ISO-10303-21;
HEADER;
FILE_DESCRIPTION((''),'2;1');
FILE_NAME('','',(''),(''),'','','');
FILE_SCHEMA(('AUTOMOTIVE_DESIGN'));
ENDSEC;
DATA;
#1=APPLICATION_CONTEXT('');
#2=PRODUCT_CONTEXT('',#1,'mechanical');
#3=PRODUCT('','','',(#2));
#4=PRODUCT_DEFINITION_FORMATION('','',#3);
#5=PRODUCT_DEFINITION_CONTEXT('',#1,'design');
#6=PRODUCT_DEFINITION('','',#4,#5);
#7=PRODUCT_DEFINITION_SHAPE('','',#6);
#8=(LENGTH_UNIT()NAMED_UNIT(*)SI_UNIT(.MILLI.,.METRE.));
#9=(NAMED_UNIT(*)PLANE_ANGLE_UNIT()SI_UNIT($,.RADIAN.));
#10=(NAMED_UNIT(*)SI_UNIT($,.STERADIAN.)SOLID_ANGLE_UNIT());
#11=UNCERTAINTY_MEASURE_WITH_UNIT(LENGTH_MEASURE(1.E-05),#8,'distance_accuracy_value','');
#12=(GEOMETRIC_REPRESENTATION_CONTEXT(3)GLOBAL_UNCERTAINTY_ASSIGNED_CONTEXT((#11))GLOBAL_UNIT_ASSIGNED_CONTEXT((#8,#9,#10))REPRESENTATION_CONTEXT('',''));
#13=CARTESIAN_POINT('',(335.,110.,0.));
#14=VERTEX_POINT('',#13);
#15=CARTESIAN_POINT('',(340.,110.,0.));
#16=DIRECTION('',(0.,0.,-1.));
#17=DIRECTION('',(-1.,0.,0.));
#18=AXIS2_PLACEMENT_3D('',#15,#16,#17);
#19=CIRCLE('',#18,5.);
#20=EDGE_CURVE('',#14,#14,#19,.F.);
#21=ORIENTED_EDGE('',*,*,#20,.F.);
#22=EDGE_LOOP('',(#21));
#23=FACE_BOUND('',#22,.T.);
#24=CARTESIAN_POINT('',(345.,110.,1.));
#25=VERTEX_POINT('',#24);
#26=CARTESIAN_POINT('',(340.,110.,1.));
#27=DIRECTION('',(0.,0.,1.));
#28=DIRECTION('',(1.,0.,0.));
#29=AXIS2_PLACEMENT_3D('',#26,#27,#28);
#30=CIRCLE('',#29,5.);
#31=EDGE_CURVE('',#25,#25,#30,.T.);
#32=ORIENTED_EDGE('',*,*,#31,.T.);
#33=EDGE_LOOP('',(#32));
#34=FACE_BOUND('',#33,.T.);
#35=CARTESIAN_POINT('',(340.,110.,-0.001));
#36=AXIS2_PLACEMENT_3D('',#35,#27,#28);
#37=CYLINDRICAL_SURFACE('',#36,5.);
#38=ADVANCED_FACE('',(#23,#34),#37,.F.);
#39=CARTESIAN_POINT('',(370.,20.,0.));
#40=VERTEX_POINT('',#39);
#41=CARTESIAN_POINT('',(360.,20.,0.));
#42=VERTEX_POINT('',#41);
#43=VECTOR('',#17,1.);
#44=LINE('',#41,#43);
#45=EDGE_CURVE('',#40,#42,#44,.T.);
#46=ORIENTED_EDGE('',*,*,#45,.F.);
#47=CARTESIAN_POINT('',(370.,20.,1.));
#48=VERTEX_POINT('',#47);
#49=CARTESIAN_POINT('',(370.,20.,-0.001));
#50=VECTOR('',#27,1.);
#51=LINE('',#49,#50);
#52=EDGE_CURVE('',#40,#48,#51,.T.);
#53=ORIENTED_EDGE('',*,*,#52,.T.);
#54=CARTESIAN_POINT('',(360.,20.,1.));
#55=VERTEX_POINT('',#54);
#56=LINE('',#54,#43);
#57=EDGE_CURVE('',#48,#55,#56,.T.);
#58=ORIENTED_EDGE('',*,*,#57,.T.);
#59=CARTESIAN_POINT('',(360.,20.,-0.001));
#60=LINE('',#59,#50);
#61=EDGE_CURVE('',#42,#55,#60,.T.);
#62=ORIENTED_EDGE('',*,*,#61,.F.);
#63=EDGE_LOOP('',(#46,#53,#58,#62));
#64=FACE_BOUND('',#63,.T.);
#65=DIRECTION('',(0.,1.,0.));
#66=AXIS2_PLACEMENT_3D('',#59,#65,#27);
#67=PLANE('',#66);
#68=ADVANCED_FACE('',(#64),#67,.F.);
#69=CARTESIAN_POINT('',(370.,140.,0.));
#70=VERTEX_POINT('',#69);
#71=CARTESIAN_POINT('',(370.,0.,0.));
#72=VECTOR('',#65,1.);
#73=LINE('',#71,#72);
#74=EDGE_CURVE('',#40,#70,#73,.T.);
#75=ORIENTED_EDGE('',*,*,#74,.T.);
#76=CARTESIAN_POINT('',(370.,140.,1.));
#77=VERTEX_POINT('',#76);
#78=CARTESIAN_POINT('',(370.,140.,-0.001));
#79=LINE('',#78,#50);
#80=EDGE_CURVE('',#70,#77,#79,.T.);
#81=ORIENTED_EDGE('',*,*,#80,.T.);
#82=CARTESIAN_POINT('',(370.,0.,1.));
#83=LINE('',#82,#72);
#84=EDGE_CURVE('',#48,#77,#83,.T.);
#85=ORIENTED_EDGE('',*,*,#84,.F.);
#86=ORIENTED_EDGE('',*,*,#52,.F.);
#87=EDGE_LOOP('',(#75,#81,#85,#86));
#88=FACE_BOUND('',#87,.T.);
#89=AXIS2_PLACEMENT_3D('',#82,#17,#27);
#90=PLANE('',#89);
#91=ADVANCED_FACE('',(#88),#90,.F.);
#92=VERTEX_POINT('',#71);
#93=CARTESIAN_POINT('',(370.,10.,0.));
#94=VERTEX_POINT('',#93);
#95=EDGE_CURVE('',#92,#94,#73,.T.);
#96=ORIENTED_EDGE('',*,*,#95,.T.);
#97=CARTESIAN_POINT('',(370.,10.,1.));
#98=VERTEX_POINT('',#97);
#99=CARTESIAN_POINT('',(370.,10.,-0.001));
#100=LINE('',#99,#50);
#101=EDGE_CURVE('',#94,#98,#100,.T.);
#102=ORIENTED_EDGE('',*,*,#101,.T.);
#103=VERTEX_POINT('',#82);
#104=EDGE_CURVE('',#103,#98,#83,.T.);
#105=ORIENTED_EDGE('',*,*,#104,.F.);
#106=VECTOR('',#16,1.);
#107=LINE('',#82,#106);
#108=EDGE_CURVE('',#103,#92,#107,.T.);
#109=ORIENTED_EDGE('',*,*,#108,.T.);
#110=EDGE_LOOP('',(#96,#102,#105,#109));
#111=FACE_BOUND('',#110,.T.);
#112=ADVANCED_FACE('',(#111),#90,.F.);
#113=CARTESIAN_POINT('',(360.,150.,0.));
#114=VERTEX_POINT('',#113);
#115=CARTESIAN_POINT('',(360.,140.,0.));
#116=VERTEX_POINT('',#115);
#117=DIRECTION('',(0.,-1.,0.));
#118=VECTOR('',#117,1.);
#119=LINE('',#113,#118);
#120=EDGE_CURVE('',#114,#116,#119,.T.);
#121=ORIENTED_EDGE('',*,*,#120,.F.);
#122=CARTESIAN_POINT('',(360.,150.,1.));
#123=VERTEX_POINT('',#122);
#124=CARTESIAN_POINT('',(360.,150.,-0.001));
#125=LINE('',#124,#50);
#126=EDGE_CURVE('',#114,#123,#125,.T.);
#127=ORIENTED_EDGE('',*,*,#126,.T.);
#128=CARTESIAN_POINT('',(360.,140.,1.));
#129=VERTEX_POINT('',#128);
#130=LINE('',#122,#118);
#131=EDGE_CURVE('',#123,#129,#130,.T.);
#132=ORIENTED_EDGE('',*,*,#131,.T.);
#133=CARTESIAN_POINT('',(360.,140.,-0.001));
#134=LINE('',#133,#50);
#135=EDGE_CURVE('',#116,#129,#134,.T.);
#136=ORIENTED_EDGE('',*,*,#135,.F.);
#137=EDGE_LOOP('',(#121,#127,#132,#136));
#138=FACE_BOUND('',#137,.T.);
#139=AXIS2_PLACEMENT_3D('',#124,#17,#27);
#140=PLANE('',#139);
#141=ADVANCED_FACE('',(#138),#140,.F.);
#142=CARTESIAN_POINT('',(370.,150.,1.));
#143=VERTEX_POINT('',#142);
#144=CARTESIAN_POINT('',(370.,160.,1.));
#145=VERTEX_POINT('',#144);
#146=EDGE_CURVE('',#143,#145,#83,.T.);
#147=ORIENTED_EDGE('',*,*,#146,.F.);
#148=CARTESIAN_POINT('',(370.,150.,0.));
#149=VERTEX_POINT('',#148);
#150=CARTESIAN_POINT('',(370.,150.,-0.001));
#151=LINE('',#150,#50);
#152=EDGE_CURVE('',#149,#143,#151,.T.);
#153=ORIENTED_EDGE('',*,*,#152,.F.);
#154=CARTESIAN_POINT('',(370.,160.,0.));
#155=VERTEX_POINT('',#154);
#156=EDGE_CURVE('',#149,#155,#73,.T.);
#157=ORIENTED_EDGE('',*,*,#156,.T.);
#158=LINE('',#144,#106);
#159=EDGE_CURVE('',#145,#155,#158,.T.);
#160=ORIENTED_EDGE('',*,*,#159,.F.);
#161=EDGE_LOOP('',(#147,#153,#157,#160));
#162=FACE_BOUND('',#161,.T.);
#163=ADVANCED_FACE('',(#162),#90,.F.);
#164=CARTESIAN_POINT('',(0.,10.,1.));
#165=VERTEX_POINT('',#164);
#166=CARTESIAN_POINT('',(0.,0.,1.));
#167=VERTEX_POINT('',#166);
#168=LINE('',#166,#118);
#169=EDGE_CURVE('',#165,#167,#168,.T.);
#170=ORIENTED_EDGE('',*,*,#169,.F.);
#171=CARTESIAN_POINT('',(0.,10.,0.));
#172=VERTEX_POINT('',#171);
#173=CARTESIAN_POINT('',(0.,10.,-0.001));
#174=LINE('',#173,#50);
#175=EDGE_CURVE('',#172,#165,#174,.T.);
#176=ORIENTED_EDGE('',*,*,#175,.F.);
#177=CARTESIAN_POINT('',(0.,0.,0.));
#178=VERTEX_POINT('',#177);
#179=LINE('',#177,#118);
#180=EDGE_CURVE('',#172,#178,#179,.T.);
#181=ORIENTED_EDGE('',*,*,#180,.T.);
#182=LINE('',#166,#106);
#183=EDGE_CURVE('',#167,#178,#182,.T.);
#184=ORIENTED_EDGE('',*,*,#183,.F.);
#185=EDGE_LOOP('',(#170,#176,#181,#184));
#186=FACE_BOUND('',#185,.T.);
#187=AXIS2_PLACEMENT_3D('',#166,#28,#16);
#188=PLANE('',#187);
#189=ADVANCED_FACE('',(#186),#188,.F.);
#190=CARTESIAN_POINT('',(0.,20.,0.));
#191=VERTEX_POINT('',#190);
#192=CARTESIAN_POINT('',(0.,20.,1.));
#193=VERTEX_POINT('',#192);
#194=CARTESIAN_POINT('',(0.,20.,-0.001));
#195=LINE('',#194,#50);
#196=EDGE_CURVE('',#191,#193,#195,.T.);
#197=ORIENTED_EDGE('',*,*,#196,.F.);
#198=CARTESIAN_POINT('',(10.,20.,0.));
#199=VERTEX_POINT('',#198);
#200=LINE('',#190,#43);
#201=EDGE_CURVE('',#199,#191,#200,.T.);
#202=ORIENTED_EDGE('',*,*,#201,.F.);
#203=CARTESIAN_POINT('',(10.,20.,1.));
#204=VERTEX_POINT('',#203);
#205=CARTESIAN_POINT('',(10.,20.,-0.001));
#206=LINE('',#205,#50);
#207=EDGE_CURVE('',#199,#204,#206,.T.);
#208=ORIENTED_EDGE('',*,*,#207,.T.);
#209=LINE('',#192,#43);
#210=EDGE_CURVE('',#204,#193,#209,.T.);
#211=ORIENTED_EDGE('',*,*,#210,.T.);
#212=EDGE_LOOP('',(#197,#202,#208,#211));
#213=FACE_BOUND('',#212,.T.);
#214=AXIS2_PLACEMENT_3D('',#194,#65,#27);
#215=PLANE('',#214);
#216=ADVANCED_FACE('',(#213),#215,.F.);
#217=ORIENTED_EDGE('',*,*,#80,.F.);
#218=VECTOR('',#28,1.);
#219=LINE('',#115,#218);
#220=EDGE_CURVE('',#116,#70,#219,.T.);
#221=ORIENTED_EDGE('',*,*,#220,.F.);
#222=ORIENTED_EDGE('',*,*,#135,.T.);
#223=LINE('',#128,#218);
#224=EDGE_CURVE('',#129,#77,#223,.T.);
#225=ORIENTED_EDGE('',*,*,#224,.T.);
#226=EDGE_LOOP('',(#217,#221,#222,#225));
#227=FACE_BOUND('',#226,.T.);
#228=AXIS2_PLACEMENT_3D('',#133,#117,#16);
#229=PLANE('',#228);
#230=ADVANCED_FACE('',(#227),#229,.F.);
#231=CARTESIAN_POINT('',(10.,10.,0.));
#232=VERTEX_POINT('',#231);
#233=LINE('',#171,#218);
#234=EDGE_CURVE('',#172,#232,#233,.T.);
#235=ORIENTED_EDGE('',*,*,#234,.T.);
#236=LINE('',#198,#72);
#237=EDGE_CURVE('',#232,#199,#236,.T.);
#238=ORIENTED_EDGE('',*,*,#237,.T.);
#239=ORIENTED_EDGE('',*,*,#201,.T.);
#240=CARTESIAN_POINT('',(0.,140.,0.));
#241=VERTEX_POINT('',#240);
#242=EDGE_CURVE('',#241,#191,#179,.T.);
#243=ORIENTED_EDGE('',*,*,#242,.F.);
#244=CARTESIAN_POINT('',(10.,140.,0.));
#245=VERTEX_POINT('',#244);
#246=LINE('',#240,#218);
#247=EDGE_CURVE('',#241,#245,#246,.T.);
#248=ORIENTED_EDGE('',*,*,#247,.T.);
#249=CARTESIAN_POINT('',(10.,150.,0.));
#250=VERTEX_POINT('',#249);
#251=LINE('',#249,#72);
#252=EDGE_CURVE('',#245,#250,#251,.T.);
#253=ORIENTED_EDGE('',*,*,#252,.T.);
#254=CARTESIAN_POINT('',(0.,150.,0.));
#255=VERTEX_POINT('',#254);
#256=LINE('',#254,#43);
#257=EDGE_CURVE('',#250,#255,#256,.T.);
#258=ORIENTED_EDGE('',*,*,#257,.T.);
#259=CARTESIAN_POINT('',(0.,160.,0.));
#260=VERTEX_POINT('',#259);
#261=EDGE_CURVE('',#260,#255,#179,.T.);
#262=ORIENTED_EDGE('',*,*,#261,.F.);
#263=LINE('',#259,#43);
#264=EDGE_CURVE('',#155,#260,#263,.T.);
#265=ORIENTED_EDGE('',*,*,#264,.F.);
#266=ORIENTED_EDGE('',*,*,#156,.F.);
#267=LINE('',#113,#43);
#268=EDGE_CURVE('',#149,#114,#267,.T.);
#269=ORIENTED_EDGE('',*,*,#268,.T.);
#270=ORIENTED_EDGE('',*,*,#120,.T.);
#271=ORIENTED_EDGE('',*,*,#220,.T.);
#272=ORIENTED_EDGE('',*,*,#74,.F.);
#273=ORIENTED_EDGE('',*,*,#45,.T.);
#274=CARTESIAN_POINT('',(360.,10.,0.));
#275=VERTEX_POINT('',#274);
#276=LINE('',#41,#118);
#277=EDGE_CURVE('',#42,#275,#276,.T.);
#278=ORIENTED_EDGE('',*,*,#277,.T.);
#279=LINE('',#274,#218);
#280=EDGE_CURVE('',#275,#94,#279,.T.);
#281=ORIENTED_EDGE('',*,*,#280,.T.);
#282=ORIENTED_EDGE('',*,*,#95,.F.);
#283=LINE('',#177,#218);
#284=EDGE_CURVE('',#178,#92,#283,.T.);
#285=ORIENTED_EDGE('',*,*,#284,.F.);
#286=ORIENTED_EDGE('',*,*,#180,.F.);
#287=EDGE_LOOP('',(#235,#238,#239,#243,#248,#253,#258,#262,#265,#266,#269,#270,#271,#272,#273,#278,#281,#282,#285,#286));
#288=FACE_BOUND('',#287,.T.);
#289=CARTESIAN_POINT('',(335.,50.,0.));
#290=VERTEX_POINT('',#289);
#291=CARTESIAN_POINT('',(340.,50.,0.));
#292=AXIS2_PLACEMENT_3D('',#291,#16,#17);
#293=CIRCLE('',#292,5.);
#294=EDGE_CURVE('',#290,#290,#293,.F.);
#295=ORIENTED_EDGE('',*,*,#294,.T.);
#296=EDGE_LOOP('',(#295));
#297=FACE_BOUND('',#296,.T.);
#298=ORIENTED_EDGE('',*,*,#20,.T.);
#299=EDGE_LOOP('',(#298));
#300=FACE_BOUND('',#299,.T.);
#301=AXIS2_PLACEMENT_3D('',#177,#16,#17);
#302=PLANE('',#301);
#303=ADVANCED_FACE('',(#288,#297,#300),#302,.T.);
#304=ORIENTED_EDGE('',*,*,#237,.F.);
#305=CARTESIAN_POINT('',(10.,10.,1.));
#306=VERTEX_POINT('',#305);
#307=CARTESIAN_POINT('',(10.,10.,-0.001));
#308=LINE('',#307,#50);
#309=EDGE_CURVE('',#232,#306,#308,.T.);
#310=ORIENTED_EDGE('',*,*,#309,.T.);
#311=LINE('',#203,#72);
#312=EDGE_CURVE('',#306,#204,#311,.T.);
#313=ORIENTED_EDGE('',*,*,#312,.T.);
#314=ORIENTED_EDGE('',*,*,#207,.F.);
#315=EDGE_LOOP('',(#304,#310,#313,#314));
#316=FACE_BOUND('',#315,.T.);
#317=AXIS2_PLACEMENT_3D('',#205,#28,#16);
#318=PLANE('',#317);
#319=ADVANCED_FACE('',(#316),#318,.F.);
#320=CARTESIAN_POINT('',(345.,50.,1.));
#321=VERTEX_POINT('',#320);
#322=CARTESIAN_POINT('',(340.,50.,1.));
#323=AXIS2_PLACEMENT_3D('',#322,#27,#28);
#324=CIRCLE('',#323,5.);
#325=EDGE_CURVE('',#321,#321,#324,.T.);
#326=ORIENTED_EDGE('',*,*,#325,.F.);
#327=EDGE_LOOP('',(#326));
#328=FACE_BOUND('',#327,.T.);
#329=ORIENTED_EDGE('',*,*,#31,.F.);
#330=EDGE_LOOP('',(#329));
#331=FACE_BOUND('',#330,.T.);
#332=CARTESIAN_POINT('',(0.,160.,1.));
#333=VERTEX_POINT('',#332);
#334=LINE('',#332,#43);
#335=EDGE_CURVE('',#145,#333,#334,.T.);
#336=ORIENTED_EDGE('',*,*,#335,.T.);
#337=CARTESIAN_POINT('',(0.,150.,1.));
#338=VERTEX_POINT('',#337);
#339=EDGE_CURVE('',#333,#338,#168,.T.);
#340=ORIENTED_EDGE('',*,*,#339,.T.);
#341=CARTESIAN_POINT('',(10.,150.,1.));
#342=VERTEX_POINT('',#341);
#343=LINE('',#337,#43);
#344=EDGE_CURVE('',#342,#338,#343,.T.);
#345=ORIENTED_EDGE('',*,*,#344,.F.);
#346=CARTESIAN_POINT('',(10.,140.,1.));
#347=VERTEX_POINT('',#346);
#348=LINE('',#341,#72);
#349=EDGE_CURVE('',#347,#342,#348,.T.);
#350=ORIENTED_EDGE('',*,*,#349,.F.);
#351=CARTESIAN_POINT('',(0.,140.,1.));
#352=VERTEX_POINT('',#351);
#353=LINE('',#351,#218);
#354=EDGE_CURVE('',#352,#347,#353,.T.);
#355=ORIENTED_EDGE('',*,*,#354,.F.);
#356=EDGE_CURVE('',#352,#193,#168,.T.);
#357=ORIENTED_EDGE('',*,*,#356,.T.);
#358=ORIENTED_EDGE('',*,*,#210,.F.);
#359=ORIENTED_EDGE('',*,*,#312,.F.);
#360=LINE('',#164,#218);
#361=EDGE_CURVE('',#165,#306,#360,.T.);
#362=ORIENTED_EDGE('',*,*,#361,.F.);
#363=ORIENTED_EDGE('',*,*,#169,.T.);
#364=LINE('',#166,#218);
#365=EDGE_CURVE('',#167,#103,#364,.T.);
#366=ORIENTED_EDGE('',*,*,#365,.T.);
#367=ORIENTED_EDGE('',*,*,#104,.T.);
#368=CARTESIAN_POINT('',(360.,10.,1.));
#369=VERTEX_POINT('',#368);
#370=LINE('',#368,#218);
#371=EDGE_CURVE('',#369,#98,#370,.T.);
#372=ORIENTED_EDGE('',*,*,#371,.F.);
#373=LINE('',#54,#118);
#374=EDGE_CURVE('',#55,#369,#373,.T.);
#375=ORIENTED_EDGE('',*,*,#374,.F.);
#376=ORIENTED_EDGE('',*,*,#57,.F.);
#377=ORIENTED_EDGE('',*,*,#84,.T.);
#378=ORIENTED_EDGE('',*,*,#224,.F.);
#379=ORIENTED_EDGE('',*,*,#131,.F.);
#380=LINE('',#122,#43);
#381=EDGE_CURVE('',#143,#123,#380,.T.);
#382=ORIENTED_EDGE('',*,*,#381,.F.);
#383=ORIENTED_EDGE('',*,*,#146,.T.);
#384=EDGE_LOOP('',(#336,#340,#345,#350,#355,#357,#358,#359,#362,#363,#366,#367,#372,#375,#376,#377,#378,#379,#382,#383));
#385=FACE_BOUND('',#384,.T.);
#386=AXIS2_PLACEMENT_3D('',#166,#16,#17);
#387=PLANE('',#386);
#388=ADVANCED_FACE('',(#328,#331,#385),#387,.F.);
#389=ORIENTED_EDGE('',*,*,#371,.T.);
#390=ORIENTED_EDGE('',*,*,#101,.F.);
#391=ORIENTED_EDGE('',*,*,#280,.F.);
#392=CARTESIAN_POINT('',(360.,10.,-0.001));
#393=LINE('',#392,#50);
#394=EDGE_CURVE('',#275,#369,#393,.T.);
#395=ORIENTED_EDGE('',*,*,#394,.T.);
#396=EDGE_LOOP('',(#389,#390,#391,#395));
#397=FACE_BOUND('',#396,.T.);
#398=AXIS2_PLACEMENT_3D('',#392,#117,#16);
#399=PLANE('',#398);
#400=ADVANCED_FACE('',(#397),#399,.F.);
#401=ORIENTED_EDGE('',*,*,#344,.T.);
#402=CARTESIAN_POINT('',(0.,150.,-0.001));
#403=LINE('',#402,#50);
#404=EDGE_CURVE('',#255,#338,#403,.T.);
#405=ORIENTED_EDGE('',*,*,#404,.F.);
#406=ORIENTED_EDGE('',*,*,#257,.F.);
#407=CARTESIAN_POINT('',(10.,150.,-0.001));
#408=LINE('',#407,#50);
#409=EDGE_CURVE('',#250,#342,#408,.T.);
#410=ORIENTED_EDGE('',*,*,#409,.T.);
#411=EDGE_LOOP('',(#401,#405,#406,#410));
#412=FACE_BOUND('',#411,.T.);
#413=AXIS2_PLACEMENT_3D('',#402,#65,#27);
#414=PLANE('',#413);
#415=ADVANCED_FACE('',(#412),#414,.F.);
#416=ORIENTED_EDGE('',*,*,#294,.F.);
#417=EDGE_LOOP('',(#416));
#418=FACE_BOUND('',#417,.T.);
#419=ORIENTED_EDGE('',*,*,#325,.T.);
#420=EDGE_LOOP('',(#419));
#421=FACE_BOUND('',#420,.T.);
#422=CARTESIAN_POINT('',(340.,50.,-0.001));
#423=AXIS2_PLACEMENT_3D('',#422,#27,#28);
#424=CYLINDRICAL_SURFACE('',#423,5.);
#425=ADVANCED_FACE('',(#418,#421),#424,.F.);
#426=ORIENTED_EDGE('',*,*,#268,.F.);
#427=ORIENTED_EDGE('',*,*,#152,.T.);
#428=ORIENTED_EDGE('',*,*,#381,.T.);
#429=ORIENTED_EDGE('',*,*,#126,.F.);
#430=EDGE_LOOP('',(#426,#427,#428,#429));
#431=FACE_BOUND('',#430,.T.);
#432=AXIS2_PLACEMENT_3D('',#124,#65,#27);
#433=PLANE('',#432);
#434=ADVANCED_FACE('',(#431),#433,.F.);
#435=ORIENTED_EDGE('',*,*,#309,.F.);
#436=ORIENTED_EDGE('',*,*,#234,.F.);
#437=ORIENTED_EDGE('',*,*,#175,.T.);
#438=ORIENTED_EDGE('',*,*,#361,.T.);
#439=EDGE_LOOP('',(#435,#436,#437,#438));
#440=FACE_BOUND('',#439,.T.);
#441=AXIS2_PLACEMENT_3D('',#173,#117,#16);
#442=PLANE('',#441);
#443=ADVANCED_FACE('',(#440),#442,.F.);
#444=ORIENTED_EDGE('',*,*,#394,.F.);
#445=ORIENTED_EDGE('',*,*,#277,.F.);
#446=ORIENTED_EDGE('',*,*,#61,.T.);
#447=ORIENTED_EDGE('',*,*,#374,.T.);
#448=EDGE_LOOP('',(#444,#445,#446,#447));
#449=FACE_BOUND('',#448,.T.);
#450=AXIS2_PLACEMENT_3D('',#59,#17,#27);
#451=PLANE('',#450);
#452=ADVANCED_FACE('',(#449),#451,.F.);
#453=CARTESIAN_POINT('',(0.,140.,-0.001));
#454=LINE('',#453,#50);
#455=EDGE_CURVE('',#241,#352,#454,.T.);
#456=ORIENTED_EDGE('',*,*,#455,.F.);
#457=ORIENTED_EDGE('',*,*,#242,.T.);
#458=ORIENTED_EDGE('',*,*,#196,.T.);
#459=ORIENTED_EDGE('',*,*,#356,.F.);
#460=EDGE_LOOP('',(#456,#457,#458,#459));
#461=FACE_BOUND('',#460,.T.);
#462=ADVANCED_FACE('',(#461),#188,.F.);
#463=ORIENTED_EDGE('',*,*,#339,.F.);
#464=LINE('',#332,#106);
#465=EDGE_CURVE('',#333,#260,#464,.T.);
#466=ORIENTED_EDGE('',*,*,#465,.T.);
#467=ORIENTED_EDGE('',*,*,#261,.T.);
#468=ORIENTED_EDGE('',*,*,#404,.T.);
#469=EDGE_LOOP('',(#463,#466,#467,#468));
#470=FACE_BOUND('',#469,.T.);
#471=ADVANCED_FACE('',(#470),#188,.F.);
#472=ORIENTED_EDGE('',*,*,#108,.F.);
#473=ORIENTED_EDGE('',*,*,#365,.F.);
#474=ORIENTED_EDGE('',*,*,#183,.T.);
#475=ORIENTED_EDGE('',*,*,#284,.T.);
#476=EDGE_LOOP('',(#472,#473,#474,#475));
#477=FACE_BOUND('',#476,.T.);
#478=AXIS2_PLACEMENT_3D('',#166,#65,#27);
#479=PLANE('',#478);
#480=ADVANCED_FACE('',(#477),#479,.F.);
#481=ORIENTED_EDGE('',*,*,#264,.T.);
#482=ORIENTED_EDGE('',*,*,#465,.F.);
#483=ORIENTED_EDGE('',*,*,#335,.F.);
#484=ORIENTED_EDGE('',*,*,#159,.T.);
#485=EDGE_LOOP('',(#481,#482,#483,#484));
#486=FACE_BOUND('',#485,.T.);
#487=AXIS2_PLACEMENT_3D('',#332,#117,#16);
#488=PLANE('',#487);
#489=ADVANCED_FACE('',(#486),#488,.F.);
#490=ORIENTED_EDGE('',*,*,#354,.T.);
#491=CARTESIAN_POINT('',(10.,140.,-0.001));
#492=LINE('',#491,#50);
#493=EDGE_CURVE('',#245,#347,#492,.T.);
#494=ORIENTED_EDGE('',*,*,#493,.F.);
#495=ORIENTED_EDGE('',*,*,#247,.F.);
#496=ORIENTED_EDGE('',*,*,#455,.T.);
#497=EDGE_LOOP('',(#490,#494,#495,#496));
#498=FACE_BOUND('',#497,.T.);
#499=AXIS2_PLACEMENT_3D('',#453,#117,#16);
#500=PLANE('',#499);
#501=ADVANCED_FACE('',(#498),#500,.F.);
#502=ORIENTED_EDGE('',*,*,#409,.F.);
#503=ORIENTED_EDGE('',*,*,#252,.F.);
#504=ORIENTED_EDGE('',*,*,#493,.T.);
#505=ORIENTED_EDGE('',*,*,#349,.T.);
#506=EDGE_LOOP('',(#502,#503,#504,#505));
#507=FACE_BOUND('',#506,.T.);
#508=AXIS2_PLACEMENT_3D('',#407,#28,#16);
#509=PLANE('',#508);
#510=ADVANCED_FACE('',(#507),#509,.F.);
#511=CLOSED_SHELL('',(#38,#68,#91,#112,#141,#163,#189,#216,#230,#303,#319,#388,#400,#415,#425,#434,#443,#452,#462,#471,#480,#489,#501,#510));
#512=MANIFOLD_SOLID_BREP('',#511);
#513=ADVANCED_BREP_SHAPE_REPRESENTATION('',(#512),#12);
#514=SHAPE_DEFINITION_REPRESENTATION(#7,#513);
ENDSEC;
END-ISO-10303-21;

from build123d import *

# Parameters (mm, degrees)
SKETCH1_W                  = 370
SKETCH1_H                  = 160
KICH_THUOC_TONG_QUAN_DEPTH = 1
LO_CHOT_CO_DINH_REACH      = 405.114
SKETCH2_W                  = 10
SKETCH2_H                  = 10
LO_THONG_KHI_REACH         = 405.114
SKETCH3_R                  = 5


with BuildPart() as part:
    # Sketch1 → kich_thuoc_tong_quan (new body)
    with BuildSketch(Plane.XY):
        with Locations((185, 80)):
            Rectangle(SKETCH1_W, SKETCH1_H)
    extrude(amount=KICH_THUOC_TONG_QUAN_DEPTH)

    # Sketch2 → lo_chot_co_dinh (cut, up to next)
    with BuildSketch(Plane.XY.offset(1), mode=Mode.PRIVATE) as lo_chot_co_dinh_sk1:
        with Locations((5, 145)):
            Rectangle(SKETCH2_W, SKETCH2_H)
    lo_chot_co_dinh_tool1 = extrude(lo_chot_co_dinh_sk1.sketch, amount=-LO_CHOT_CO_DINH_REACH, mode=Mode.PRIVATE) & part.part
    # Sketch2 → lo_chot_co_dinh (cut, up to next)
    with BuildSketch(Plane.XY.offset(1), mode=Mode.PRIVATE) as lo_chot_co_dinh_sk2:
        with Locations((365, 145)):
            Rectangle(SKETCH2_W, SKETCH2_H)
    lo_chot_co_dinh_tool2 = extrude(lo_chot_co_dinh_sk2.sketch, amount=-LO_CHOT_CO_DINH_REACH, mode=Mode.PRIVATE) & part.part
    # Sketch2 → lo_chot_co_dinh (cut, up to next)
    with BuildSketch(Plane.XY.offset(1), mode=Mode.PRIVATE) as lo_chot_co_dinh_sk3:
        with Locations((365, 15)):
            Rectangle(SKETCH2_W, SKETCH2_H)
    lo_chot_co_dinh_tool3 = extrude(lo_chot_co_dinh_sk3.sketch, amount=-LO_CHOT_CO_DINH_REACH, mode=Mode.PRIVATE) & part.part
    # Sketch2 → lo_chot_co_dinh (cut, up to next)
    with BuildSketch(Plane.XY.offset(1), mode=Mode.PRIVATE) as lo_chot_co_dinh_sk4:
        with Locations((5, 15)):
            Rectangle(SKETCH2_W, SKETCH2_H)
    lo_chot_co_dinh_tool4 = extrude(lo_chot_co_dinh_sk4.sketch, amount=-LO_CHOT_CO_DINH_REACH, mode=Mode.PRIVATE) & part.part
    add(lo_chot_co_dinh_tool1.solids().sort_by_distance((5, 145, 1))[0], mode=Mode.SUBTRACT)
    add(lo_chot_co_dinh_tool2.solids().sort_by_distance((365, 145, 1))[0], mode=Mode.SUBTRACT)
    add(lo_chot_co_dinh_tool3.solids().sort_by_distance((365, 15, 1))[0], mode=Mode.SUBTRACT)
    add(lo_chot_co_dinh_tool4.solids().sort_by_distance((5, 15, 1))[0], mode=Mode.SUBTRACT)

    # Sketch3 → lo_thong_khi (cut, up to next)
    with BuildSketch(Plane.XY.offset(1), mode=Mode.PRIVATE) as lo_thong_khi_sk1:
        with Locations((340, 110)):
            Circle(SKETCH3_R)
    lo_thong_khi_tool1 = extrude(lo_thong_khi_sk1.sketch, amount=-LO_THONG_KHI_REACH, mode=Mode.PRIVATE) & part.part
    # Sketch3 → lo_thong_khi (cut, up to next)
    with BuildSketch(Plane.XY.offset(1), mode=Mode.PRIVATE) as lo_thong_khi_sk2:
        with Locations((340, 50)):
            Circle(SKETCH3_R)
    lo_thong_khi_tool2 = extrude(lo_thong_khi_sk2.sketch, amount=-LO_THONG_KHI_REACH, mode=Mode.PRIVATE) & part.part
    add(lo_thong_khi_tool1.solids().sort_by_distance((340, 110, 1))[0], mode=Mode.SUBTRACT)
    add(lo_thong_khi_tool2.solids().sort_by_distance((340, 50, 1))[0], mode=Mode.SUBTRACT)


solid = part.part
